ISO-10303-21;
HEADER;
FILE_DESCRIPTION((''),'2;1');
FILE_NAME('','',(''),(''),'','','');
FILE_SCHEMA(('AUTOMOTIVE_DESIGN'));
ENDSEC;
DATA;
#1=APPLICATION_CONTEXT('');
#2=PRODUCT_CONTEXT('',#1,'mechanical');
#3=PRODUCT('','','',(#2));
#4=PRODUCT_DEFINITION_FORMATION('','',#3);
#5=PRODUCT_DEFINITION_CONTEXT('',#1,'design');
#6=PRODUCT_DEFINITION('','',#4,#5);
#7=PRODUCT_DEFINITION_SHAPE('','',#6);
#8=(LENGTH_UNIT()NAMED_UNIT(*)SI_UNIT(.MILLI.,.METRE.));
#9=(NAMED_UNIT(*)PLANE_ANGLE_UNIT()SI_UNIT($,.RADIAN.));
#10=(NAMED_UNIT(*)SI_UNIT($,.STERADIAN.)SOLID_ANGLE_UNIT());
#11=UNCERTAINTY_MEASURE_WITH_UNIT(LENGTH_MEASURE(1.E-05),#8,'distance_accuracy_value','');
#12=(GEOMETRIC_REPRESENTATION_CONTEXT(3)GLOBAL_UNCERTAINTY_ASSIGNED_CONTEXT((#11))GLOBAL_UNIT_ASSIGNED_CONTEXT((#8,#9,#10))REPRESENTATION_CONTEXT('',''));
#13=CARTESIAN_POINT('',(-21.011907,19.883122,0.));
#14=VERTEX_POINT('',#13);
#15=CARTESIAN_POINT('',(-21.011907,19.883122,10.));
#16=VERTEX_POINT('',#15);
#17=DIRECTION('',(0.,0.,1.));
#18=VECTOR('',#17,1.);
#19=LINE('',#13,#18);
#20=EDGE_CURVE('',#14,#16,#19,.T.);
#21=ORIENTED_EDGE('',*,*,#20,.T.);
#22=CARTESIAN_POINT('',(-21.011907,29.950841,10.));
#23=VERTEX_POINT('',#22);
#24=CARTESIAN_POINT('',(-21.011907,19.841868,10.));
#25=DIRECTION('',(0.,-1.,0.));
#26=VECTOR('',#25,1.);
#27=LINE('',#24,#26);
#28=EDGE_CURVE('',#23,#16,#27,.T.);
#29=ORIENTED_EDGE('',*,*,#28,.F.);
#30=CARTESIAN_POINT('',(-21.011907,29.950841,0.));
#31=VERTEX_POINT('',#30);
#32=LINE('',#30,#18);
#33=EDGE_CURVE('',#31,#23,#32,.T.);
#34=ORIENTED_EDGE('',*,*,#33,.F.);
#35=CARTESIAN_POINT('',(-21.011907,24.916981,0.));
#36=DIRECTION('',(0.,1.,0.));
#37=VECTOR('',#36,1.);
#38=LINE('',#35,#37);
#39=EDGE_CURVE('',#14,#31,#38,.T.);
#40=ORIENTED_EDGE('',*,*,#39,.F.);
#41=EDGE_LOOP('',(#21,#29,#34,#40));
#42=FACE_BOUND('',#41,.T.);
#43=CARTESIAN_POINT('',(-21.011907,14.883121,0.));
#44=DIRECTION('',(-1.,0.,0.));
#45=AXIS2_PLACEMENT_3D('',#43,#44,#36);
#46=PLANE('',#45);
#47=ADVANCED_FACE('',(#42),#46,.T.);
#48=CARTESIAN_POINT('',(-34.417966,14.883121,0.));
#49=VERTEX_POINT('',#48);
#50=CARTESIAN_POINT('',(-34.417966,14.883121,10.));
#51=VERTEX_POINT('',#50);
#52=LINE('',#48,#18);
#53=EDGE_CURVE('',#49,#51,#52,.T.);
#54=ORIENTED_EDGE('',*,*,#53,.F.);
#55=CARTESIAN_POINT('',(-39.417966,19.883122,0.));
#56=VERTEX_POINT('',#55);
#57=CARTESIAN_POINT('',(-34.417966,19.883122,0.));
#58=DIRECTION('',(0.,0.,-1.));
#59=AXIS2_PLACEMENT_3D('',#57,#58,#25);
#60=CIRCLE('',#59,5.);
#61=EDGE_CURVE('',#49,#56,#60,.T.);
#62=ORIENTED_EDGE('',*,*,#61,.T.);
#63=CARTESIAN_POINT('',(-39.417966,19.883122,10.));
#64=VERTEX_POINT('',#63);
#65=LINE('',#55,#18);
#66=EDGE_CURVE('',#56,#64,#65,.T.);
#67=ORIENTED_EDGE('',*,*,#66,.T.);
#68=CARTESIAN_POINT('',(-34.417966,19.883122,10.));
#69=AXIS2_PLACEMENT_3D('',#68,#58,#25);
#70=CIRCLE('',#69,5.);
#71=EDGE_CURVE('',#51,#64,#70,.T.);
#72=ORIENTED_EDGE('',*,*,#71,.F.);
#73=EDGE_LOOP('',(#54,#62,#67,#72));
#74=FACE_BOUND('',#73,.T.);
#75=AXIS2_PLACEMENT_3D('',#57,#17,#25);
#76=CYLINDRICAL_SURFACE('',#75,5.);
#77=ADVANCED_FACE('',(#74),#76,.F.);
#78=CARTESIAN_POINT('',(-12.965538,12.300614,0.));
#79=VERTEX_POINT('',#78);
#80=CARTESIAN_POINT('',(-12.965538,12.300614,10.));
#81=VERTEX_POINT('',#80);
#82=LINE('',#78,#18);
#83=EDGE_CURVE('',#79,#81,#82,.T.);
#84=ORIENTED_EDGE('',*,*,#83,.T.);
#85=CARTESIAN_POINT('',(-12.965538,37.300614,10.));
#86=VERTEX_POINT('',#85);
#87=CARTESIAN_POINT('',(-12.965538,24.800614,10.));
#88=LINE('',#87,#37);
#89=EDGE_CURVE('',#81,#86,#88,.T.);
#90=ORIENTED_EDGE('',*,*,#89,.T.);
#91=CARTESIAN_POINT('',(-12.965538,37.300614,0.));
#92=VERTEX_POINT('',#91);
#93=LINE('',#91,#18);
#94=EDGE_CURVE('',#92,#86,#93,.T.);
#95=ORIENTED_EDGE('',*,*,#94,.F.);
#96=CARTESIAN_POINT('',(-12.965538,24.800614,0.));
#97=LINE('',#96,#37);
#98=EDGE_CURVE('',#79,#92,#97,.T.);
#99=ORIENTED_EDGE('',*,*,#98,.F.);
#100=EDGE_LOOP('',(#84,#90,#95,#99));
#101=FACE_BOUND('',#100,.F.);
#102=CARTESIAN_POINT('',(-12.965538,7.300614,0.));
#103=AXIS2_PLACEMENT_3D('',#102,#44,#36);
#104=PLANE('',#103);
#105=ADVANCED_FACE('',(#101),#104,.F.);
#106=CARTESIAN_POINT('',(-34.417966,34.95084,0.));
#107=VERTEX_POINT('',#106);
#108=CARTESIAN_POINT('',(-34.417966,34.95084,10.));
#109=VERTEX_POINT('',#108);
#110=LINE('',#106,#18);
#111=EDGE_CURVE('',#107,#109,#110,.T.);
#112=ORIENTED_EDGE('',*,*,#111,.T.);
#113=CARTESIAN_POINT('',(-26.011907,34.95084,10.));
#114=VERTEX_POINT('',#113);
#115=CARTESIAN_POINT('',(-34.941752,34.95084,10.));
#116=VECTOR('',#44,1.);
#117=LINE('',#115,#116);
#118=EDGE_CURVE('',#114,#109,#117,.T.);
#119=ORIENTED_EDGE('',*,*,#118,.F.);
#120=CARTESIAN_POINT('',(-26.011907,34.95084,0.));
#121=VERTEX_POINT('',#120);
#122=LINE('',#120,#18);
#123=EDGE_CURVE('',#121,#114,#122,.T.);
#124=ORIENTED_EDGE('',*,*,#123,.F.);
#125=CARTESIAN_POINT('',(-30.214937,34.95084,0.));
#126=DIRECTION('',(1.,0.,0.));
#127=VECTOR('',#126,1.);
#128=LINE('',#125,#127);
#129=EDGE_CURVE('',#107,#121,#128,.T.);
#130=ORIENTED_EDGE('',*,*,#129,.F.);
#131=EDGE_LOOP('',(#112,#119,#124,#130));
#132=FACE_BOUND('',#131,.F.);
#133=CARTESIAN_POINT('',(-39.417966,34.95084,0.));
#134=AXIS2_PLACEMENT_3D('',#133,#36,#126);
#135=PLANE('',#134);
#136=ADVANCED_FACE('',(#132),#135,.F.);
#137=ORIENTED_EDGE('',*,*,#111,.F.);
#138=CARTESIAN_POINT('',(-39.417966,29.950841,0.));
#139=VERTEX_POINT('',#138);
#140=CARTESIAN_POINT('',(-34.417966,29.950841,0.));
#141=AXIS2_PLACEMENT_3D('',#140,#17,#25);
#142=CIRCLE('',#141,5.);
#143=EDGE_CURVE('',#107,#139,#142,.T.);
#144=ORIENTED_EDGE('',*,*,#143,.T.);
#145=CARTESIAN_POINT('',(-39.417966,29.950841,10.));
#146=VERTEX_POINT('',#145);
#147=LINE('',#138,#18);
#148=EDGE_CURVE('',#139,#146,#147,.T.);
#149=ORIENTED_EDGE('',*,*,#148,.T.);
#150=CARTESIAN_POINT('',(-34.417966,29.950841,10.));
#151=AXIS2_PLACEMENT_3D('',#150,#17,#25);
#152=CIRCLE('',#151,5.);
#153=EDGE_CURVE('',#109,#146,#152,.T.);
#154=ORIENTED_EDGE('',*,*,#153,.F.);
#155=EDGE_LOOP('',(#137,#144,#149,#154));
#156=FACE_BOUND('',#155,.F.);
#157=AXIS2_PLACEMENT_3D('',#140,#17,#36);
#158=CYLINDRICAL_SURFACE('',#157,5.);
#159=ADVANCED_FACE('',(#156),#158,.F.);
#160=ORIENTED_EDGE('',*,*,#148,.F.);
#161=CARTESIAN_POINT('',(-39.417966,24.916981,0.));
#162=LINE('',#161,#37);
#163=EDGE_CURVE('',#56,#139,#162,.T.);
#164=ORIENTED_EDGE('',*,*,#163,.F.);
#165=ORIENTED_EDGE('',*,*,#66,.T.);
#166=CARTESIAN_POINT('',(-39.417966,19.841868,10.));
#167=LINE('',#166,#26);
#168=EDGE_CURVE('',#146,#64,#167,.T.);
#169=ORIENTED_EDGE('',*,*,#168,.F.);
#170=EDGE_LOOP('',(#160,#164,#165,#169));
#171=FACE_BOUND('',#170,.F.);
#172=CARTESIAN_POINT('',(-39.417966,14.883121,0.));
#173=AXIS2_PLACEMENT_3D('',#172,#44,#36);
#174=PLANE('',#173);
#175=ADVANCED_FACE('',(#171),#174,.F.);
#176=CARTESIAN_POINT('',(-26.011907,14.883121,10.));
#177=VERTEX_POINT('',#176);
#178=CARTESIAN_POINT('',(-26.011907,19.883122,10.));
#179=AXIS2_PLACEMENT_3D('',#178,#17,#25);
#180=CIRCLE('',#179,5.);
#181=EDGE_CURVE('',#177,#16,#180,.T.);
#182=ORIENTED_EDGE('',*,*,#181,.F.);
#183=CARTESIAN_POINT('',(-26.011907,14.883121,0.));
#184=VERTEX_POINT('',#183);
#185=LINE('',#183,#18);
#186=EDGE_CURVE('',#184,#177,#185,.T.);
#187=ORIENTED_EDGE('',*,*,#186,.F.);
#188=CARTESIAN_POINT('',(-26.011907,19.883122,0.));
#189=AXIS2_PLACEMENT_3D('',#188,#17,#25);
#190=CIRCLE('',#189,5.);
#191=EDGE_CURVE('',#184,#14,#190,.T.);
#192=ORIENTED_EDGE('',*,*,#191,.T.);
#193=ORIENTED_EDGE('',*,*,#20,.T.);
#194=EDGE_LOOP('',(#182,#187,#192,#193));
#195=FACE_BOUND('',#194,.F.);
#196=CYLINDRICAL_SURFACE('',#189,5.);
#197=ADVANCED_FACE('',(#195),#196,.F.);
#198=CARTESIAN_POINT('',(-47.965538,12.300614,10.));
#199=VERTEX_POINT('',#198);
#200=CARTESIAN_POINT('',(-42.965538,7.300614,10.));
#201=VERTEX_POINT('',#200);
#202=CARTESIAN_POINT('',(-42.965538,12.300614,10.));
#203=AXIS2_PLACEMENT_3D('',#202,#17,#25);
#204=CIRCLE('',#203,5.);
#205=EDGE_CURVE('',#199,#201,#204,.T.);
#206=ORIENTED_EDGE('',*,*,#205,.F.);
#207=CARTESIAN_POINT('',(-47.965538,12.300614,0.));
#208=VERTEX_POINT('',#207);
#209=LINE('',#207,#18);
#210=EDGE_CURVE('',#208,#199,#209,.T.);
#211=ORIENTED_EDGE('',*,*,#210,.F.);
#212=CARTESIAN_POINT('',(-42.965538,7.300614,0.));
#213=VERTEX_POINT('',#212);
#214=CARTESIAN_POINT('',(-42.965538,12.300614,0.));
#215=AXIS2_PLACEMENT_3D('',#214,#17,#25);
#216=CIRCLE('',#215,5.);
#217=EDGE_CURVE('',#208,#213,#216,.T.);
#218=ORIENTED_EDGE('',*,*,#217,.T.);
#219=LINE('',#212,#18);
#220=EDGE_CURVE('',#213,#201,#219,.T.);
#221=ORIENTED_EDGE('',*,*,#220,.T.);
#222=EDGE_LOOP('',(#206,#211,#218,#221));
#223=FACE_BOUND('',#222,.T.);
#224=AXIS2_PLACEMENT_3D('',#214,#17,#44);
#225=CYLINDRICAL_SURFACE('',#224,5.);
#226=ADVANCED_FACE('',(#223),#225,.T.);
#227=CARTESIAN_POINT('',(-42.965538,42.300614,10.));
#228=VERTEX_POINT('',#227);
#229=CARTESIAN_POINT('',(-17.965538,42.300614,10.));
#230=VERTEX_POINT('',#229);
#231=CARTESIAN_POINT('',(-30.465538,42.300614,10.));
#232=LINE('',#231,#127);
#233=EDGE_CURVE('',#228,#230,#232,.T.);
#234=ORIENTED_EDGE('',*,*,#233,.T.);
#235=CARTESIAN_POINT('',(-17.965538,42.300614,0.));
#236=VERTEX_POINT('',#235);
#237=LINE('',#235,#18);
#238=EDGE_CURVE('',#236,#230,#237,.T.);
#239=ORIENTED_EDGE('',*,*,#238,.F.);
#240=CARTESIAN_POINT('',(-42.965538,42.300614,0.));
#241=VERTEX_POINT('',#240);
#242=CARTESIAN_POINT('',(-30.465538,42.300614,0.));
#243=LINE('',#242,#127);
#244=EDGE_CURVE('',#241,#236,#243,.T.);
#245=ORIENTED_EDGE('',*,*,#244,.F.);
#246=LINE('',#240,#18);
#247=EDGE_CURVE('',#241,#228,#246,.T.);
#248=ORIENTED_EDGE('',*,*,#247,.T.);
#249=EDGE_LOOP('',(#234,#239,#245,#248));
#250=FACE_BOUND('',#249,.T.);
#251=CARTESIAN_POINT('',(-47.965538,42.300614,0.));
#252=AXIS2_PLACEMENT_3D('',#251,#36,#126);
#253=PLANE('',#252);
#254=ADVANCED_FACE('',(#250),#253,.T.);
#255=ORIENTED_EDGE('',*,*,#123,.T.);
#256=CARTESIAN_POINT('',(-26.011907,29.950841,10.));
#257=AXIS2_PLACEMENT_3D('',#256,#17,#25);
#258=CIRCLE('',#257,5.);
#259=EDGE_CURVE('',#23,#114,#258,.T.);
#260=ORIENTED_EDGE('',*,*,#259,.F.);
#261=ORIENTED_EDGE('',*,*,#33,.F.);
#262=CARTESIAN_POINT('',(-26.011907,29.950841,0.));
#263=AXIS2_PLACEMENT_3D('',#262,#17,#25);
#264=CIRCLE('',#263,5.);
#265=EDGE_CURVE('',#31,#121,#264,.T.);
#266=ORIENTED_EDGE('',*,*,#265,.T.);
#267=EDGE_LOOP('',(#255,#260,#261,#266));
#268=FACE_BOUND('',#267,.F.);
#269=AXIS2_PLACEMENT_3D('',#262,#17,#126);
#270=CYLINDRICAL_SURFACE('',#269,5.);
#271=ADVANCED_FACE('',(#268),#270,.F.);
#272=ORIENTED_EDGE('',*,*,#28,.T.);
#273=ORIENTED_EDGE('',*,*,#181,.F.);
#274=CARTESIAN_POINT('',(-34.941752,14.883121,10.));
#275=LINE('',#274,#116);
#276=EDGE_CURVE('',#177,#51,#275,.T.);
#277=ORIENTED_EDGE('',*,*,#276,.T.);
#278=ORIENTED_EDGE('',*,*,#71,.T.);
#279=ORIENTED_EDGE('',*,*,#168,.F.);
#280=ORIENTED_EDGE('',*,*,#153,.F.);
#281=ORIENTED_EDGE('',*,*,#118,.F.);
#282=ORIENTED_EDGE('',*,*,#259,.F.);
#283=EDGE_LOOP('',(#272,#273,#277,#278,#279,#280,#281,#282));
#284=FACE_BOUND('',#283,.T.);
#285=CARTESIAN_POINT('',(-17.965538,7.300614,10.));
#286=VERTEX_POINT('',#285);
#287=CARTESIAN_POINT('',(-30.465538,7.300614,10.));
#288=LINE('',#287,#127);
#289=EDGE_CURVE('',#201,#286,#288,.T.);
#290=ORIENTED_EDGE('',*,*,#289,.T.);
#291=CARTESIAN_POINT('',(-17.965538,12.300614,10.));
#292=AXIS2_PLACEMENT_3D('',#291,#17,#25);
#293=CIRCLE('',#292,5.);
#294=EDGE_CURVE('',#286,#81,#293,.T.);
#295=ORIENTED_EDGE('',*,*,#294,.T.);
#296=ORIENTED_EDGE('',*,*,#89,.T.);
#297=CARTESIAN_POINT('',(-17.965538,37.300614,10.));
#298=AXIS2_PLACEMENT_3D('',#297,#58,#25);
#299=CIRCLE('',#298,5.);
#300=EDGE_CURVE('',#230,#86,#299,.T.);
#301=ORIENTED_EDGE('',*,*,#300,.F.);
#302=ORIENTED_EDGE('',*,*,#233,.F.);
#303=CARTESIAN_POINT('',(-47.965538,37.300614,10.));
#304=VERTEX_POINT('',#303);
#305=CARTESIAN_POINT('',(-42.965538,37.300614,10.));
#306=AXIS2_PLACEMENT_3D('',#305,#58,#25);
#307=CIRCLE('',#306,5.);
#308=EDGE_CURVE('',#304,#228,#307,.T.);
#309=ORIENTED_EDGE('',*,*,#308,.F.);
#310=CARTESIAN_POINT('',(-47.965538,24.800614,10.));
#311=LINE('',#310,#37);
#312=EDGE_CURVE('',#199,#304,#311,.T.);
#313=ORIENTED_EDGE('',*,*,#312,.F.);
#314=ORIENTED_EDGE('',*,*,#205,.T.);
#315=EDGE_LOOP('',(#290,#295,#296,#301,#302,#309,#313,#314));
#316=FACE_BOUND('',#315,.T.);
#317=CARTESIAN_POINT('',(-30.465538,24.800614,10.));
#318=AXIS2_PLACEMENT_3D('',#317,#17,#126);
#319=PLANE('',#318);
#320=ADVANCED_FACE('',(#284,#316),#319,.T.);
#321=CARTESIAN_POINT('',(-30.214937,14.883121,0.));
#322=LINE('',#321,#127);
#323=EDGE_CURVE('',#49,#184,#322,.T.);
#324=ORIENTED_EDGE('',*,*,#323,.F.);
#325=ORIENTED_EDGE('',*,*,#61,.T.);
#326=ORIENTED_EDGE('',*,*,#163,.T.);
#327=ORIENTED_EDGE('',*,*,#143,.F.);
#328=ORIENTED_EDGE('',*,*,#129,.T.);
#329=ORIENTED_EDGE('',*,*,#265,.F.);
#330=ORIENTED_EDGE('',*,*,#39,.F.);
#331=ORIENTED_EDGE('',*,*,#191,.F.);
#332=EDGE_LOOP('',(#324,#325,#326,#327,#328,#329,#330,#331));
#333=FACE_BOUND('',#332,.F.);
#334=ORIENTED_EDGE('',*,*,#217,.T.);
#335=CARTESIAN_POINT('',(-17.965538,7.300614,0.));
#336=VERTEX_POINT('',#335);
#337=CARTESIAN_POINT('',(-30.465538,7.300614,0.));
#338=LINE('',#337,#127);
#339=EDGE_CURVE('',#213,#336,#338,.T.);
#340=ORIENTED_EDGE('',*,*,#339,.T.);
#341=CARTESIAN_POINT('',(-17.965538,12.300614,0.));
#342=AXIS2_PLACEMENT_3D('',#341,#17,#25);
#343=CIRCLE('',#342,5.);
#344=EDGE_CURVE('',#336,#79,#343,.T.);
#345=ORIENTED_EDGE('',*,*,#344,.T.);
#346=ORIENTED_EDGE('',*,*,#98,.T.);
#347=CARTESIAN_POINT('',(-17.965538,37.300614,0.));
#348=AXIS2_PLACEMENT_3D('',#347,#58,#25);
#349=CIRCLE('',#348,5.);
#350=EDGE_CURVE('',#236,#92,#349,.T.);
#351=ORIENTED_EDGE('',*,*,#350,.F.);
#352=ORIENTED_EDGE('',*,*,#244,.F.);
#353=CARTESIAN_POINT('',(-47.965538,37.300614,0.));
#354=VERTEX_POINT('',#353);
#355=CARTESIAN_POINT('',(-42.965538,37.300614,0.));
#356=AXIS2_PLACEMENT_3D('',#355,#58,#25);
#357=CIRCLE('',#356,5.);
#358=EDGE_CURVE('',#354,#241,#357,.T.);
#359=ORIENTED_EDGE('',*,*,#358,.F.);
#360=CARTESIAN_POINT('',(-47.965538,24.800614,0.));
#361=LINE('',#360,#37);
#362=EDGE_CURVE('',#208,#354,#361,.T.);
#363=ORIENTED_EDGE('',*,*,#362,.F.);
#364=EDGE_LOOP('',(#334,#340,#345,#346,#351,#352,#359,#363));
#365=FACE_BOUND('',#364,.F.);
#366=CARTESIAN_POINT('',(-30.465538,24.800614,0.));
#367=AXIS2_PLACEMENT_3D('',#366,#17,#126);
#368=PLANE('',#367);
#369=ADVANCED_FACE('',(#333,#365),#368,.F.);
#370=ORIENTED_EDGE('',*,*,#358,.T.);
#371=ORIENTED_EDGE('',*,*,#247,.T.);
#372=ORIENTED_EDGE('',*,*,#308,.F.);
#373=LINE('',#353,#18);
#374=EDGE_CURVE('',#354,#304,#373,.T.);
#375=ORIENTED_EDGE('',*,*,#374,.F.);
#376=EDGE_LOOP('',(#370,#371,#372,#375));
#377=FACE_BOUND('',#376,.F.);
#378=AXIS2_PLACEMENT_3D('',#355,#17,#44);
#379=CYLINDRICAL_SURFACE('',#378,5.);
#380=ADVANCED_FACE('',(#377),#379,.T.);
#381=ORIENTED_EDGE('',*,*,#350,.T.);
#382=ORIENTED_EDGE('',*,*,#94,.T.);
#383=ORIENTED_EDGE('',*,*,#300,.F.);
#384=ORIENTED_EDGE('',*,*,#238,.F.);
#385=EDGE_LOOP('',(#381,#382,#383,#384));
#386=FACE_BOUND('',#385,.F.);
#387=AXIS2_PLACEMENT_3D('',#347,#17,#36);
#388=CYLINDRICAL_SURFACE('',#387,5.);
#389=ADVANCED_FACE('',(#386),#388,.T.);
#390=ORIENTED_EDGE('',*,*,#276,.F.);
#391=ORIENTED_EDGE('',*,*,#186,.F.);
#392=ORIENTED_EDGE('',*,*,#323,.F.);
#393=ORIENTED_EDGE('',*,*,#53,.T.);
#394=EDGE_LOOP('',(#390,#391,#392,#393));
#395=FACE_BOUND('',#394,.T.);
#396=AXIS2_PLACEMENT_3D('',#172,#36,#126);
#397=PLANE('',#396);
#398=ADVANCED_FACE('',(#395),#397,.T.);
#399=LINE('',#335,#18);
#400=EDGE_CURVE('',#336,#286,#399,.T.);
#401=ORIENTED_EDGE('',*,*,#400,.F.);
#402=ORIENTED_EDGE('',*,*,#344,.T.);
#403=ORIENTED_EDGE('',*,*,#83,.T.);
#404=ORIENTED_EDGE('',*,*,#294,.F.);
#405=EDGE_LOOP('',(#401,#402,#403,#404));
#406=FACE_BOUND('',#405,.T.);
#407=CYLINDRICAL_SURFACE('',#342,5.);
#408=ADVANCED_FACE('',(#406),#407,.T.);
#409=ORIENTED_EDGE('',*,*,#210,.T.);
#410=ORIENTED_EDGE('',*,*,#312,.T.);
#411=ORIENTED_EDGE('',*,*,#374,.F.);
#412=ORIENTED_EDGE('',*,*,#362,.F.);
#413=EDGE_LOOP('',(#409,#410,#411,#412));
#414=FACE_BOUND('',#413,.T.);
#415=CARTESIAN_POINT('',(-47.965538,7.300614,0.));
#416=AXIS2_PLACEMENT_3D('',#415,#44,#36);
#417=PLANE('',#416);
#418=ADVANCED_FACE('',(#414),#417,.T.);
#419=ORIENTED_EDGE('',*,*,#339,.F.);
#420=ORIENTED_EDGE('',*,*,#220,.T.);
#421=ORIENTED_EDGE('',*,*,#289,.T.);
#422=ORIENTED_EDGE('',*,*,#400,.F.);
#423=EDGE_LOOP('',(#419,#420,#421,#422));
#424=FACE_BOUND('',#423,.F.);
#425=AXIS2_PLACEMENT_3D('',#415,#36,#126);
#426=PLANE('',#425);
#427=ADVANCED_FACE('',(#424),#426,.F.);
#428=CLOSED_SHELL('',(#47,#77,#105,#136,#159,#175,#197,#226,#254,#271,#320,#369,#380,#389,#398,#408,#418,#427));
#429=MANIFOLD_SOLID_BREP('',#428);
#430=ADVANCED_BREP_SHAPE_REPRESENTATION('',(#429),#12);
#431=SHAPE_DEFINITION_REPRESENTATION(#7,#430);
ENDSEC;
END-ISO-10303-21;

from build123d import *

# Parameters (mm, degrees)
F0_W     = 35
F0_H     = 35
F1_DEPTH = 10
F2_W     = 18.406059
F2_H     = 20.067719
F3_DEPTH = 25
F4_R     = 5


with BuildPart() as f1:
    # F0 (on Top) → F1 (new body)
    with BuildSketch(Plane.XY):
        with Locations((-30.465538, 24.800614)):
            Rectangle(F0_W, F0_H)
    extrude(amount=F1_DEPTH)

    # F2 (on Top) → F3 (cut)
    with BuildSketch(Plane.XY):
        with Locations((-30.214937, 24.916981)):
            Rectangle(F2_W, F2_H)
    extrude(amount=F3_DEPTH, mode=Mode.SUBTRACT)

    # F4
    f4_edges = [f1.edges().sort_by_distance(p)[0] for p in [
        (-12.965538, 42.300614, 5),
        (-47.965538, 42.300614, 5),
        (-47.965538, 7.300614, 5),
        (-12.965538, 7.300614, 5),
        (-21.011908, 14.883122, 5),
        (-39.417967, 14.883122, 5),
        (-39.417967, 34.950841, 5),
        (-21.011908, 34.950841, 5),
    ]]
    fillet(f4_edges, radius=F4_R)


solid = f1.part
